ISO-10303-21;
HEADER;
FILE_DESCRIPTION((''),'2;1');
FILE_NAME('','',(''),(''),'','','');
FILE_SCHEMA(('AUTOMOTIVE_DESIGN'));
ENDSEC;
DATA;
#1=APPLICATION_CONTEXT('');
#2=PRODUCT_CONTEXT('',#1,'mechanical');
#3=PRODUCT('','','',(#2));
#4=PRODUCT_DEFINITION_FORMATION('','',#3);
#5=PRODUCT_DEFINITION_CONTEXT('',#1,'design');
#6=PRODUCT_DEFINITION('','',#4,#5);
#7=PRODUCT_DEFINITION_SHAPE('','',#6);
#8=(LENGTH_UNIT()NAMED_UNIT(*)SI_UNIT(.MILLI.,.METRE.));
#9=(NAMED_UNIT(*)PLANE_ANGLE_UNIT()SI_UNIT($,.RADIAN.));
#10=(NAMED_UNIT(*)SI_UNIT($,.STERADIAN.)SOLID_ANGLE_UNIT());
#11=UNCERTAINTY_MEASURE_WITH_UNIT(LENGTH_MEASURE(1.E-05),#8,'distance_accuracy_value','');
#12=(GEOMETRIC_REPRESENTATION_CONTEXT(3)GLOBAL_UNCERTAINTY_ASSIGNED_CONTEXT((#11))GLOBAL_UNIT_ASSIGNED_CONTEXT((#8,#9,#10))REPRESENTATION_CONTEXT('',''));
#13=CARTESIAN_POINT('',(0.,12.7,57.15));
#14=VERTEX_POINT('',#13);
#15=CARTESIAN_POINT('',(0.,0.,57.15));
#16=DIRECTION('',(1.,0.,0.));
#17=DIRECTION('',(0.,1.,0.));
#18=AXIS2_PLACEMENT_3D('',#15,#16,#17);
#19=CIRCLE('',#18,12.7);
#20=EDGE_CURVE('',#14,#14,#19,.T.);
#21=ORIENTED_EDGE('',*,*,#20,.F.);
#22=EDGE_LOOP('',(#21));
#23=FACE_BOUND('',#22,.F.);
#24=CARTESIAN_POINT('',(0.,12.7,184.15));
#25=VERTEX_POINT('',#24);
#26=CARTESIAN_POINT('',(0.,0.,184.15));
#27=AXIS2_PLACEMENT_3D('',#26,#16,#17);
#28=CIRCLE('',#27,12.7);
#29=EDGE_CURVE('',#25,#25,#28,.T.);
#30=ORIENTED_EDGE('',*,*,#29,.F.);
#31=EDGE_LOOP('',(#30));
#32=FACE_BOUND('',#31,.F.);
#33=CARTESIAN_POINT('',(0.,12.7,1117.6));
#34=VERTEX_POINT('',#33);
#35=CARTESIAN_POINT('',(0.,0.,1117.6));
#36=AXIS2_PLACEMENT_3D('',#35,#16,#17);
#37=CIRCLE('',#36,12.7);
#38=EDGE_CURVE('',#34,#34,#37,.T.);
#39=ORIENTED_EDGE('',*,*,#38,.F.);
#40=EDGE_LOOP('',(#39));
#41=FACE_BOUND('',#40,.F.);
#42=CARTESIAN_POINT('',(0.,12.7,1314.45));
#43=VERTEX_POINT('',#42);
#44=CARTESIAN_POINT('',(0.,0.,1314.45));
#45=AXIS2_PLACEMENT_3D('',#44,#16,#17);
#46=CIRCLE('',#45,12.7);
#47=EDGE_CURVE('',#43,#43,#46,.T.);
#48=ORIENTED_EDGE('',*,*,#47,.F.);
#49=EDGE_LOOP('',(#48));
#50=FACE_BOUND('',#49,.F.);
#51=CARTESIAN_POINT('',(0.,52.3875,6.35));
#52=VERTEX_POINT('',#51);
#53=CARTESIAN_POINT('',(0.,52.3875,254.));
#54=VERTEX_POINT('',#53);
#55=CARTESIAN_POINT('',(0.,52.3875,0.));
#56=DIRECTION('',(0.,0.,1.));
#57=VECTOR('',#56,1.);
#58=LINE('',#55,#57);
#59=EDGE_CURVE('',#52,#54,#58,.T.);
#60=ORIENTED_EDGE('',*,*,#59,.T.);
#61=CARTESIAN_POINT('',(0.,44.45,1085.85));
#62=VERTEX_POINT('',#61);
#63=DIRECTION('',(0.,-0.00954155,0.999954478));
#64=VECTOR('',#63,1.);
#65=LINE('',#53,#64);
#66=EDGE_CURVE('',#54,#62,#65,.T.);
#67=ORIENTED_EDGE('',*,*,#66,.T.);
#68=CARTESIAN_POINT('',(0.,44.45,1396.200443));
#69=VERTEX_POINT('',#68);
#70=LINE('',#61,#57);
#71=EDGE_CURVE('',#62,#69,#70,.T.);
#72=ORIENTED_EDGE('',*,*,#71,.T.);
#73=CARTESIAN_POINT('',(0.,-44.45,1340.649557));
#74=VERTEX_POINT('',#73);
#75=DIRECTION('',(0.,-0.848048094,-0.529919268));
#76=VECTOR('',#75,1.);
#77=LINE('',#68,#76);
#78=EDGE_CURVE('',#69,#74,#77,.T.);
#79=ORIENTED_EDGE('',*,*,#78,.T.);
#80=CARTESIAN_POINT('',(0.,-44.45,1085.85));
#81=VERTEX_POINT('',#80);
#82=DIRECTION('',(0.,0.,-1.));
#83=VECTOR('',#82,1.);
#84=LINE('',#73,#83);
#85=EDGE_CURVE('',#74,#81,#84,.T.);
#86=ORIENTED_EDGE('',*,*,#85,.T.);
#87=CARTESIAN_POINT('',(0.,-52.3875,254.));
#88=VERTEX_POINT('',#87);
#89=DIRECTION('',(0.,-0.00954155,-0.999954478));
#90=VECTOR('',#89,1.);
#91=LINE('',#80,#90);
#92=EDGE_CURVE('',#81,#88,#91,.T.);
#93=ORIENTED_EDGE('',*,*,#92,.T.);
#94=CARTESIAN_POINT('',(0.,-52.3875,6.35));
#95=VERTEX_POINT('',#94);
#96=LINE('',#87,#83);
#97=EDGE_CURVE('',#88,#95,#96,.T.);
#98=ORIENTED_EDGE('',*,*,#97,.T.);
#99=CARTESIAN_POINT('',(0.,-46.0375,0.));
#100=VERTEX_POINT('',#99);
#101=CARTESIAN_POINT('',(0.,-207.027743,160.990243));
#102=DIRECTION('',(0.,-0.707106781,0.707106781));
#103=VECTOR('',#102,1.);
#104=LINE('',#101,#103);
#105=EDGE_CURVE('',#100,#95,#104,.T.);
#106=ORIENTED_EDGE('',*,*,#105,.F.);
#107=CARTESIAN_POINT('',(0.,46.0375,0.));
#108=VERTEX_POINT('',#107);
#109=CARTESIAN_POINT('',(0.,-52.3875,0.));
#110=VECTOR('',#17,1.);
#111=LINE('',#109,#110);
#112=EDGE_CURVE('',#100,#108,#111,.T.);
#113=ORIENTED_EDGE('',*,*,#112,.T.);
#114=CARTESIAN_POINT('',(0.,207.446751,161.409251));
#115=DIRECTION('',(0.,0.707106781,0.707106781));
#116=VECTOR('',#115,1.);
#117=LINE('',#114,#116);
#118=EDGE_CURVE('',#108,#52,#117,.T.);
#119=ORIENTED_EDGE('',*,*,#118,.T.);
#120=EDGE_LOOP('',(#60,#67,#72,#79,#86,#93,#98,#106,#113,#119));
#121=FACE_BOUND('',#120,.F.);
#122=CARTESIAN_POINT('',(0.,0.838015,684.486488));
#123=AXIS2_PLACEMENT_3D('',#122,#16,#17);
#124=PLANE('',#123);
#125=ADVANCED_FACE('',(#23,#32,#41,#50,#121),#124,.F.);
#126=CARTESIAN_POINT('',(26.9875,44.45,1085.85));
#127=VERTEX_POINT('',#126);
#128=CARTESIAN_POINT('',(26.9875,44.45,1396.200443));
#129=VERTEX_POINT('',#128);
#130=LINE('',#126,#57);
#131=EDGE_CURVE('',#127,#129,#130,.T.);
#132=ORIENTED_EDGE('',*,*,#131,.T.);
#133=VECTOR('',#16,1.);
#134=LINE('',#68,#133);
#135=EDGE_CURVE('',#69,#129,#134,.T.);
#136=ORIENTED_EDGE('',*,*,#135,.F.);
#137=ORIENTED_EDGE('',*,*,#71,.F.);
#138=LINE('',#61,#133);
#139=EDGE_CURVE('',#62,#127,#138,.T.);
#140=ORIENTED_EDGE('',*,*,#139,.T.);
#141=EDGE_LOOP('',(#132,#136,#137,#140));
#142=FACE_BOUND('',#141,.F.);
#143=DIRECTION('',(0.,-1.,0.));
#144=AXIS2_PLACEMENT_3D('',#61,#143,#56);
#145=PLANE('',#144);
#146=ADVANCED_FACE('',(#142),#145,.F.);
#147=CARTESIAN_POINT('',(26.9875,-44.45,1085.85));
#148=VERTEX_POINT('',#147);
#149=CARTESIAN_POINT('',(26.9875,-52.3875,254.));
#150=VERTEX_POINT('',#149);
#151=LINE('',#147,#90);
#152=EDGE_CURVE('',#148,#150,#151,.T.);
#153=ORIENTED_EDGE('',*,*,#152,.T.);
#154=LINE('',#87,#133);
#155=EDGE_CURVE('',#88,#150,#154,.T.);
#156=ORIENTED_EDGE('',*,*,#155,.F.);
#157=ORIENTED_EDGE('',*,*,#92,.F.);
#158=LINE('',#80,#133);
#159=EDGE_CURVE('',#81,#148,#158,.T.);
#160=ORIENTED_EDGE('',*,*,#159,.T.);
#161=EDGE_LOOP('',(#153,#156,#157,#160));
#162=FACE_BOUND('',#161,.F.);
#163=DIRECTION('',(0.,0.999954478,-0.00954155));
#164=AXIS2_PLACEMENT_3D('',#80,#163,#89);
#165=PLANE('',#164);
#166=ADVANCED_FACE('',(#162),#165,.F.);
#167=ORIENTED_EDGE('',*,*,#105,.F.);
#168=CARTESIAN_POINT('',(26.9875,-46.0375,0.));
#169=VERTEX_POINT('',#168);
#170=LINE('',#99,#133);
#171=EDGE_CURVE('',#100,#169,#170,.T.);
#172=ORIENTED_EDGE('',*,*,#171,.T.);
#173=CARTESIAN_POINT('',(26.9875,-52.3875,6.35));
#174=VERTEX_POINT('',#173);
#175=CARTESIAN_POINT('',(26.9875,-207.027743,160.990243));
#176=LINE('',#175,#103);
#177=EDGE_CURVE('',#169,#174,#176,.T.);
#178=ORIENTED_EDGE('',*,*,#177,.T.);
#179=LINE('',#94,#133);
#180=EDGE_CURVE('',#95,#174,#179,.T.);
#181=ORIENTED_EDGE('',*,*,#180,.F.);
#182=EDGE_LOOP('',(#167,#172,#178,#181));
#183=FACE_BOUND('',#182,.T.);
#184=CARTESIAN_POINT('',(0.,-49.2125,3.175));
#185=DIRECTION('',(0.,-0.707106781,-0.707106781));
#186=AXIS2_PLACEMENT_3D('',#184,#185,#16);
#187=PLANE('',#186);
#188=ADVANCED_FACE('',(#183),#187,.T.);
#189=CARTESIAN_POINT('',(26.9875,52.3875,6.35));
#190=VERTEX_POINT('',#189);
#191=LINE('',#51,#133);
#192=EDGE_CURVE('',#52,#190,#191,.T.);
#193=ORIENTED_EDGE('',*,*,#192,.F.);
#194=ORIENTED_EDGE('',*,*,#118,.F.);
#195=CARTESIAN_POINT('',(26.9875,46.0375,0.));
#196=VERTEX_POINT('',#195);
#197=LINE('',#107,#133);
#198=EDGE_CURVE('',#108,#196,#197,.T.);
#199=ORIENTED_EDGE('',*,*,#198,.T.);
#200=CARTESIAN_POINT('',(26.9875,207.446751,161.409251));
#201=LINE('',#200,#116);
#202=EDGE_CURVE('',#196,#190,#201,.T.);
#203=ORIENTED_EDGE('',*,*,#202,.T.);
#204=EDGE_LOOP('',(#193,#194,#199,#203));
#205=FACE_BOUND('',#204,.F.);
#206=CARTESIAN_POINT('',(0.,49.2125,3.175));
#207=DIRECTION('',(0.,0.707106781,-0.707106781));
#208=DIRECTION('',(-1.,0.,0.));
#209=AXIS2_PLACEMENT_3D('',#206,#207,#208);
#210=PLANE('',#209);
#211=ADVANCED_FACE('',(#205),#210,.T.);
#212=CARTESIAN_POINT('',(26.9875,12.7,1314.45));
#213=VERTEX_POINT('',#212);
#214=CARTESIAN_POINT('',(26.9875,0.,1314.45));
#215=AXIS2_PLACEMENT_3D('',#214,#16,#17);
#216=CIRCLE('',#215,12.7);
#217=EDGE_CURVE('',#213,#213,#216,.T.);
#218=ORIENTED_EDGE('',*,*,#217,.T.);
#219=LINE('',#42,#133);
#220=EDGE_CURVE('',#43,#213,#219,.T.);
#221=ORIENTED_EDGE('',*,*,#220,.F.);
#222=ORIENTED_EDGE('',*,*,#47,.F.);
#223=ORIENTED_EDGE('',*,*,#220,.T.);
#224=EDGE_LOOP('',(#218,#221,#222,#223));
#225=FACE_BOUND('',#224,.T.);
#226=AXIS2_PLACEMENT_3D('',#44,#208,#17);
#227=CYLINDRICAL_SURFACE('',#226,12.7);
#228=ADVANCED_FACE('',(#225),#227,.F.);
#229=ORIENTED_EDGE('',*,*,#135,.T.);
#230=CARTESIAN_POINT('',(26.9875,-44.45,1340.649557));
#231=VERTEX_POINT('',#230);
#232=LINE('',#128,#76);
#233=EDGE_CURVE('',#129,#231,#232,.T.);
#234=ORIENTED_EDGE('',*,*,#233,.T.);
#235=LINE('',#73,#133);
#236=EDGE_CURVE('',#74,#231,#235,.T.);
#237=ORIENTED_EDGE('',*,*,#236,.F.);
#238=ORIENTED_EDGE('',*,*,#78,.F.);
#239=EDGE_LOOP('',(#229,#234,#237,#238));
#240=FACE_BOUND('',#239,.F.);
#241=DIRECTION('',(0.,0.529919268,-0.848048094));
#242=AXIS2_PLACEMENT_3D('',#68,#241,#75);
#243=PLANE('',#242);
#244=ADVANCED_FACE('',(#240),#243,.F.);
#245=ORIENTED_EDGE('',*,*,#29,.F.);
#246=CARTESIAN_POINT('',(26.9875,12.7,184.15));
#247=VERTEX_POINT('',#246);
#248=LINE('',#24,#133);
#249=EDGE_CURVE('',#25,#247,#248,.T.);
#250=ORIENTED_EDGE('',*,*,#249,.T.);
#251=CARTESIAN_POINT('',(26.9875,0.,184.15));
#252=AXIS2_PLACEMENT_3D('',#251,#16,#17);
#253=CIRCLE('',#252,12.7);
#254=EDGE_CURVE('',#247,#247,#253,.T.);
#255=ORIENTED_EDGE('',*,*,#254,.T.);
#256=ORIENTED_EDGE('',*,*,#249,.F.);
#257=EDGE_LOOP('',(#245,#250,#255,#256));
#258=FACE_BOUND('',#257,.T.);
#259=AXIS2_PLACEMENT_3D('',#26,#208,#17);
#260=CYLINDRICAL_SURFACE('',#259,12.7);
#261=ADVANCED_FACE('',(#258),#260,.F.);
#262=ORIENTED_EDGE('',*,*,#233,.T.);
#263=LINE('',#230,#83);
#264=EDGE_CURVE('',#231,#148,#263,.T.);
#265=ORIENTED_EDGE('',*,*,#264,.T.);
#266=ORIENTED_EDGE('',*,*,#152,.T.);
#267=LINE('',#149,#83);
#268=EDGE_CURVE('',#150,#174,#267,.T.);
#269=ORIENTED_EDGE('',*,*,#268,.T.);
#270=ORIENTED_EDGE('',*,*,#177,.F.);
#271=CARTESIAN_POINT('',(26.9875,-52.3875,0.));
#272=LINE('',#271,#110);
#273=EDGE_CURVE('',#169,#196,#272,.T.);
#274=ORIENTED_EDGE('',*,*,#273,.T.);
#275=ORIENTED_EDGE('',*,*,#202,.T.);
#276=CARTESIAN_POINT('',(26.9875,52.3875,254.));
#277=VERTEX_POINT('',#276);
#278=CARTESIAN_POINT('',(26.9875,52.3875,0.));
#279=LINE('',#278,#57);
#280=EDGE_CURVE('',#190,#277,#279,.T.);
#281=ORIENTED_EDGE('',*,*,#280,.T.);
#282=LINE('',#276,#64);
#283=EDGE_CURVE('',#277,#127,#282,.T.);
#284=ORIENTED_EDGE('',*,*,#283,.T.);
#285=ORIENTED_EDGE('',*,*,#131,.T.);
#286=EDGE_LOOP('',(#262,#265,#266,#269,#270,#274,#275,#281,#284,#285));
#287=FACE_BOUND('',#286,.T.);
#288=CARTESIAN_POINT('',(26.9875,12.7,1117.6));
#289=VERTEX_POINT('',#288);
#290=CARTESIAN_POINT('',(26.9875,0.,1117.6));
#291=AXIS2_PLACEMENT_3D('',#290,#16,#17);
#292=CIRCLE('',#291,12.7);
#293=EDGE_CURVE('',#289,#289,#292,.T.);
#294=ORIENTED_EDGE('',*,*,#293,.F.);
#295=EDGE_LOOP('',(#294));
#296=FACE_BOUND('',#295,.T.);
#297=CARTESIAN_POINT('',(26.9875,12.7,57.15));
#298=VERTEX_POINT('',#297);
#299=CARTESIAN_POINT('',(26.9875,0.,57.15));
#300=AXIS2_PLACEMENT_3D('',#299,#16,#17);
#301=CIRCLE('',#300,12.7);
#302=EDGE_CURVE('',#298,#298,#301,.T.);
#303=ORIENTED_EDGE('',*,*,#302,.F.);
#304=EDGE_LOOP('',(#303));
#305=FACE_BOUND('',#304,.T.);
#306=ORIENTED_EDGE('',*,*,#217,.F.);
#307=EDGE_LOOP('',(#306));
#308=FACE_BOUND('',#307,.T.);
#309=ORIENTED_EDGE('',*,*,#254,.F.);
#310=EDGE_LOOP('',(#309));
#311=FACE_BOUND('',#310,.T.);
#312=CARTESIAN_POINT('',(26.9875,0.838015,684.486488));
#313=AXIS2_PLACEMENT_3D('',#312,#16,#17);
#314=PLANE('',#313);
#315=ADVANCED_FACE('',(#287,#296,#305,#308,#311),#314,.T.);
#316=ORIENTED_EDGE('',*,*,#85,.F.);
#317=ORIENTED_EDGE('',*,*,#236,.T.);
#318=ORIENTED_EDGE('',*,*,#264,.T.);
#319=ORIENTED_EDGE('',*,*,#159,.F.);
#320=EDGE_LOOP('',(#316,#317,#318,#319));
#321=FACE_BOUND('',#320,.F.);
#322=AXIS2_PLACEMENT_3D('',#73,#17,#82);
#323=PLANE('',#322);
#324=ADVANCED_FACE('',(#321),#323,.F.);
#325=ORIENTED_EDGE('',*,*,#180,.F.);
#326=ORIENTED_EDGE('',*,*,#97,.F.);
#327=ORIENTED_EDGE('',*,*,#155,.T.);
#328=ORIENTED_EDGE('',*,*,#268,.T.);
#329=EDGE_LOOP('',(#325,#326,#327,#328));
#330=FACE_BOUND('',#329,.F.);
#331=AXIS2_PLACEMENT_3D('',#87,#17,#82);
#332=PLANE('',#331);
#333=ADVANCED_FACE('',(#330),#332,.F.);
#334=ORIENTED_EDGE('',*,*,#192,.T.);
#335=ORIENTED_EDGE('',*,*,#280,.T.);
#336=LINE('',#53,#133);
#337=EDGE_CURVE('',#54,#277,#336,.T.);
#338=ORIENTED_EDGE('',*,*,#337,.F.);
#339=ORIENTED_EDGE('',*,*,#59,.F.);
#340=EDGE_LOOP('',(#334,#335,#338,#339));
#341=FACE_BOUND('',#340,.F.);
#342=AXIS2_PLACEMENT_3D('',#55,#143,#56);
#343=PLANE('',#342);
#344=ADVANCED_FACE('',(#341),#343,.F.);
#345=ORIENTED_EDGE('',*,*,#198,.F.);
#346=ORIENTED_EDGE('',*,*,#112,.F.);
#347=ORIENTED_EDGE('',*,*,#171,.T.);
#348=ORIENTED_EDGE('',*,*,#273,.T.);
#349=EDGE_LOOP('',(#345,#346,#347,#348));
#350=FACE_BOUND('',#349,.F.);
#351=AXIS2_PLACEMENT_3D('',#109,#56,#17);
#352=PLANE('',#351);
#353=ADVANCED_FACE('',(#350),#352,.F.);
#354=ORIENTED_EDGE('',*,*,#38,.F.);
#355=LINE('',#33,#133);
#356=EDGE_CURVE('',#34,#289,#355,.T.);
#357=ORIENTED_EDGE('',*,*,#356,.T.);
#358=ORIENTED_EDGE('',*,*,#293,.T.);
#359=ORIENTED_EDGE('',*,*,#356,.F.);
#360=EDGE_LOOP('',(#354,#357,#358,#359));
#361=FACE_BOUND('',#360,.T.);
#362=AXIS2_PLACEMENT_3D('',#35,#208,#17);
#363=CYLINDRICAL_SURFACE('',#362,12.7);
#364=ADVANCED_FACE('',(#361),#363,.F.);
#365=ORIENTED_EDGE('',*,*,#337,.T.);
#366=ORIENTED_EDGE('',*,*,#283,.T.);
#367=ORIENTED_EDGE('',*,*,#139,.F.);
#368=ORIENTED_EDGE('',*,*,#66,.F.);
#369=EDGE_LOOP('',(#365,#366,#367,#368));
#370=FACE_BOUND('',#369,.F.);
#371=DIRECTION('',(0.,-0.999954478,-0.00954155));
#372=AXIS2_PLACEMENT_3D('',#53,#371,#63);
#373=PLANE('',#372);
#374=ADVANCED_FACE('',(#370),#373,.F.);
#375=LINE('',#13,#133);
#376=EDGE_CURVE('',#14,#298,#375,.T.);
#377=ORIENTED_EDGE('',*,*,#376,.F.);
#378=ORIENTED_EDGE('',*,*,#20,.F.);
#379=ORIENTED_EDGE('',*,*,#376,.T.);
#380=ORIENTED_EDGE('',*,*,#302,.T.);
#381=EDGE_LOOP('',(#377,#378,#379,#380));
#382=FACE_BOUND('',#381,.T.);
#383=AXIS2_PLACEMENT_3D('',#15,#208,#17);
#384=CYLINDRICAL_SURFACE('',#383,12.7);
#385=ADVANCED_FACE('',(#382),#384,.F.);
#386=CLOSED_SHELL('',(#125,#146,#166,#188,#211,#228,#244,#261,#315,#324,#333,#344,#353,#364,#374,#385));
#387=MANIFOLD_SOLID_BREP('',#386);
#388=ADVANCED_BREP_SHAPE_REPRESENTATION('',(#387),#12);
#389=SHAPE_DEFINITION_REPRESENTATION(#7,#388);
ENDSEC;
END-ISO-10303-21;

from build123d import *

# Parameters (mm, degrees)
F0_R     = 12.7
F1_DEPTH = 26.9875
F2_SIZE  = 6.35


with BuildPart() as f1:
    # F0 (on Right) → F1 (new body)
    with BuildSketch(Plane.YZ):
        Polygon((-52.3875, 0), (52.3875, 0), (52.3875, 254), (44.45, 1085.85), (44.45, 1396.200443), (-44.45, 1340.649557), (-44.45, 1085.85), (-52.3875, 254), align=None)
        with Locations((0, 57.15)):
            Circle(F0_R, mode=Mode.SUBTRACT)
        with Locations((0, 184.15)):
            Circle(F0_R, mode=Mode.SUBTRACT)
        with Locations((0, 1117.6)):
            Circle(F0_R, mode=Mode.SUBTRACT)
        with Locations((0, 1314.45)):
            Circle(F0_R, mode=Mode.SUBTRACT)
    extrude(amount=F1_DEPTH)

    # F2
    f2_edges = [f1.edges().sort_by_distance(p)[0] for p in [
        (13.49375, -52.3875, 0),
        (13.49375, 52.3875, 0),
    ]]
    chamfer(f2_edges, length=F2_SIZE)


solid = f1.part
